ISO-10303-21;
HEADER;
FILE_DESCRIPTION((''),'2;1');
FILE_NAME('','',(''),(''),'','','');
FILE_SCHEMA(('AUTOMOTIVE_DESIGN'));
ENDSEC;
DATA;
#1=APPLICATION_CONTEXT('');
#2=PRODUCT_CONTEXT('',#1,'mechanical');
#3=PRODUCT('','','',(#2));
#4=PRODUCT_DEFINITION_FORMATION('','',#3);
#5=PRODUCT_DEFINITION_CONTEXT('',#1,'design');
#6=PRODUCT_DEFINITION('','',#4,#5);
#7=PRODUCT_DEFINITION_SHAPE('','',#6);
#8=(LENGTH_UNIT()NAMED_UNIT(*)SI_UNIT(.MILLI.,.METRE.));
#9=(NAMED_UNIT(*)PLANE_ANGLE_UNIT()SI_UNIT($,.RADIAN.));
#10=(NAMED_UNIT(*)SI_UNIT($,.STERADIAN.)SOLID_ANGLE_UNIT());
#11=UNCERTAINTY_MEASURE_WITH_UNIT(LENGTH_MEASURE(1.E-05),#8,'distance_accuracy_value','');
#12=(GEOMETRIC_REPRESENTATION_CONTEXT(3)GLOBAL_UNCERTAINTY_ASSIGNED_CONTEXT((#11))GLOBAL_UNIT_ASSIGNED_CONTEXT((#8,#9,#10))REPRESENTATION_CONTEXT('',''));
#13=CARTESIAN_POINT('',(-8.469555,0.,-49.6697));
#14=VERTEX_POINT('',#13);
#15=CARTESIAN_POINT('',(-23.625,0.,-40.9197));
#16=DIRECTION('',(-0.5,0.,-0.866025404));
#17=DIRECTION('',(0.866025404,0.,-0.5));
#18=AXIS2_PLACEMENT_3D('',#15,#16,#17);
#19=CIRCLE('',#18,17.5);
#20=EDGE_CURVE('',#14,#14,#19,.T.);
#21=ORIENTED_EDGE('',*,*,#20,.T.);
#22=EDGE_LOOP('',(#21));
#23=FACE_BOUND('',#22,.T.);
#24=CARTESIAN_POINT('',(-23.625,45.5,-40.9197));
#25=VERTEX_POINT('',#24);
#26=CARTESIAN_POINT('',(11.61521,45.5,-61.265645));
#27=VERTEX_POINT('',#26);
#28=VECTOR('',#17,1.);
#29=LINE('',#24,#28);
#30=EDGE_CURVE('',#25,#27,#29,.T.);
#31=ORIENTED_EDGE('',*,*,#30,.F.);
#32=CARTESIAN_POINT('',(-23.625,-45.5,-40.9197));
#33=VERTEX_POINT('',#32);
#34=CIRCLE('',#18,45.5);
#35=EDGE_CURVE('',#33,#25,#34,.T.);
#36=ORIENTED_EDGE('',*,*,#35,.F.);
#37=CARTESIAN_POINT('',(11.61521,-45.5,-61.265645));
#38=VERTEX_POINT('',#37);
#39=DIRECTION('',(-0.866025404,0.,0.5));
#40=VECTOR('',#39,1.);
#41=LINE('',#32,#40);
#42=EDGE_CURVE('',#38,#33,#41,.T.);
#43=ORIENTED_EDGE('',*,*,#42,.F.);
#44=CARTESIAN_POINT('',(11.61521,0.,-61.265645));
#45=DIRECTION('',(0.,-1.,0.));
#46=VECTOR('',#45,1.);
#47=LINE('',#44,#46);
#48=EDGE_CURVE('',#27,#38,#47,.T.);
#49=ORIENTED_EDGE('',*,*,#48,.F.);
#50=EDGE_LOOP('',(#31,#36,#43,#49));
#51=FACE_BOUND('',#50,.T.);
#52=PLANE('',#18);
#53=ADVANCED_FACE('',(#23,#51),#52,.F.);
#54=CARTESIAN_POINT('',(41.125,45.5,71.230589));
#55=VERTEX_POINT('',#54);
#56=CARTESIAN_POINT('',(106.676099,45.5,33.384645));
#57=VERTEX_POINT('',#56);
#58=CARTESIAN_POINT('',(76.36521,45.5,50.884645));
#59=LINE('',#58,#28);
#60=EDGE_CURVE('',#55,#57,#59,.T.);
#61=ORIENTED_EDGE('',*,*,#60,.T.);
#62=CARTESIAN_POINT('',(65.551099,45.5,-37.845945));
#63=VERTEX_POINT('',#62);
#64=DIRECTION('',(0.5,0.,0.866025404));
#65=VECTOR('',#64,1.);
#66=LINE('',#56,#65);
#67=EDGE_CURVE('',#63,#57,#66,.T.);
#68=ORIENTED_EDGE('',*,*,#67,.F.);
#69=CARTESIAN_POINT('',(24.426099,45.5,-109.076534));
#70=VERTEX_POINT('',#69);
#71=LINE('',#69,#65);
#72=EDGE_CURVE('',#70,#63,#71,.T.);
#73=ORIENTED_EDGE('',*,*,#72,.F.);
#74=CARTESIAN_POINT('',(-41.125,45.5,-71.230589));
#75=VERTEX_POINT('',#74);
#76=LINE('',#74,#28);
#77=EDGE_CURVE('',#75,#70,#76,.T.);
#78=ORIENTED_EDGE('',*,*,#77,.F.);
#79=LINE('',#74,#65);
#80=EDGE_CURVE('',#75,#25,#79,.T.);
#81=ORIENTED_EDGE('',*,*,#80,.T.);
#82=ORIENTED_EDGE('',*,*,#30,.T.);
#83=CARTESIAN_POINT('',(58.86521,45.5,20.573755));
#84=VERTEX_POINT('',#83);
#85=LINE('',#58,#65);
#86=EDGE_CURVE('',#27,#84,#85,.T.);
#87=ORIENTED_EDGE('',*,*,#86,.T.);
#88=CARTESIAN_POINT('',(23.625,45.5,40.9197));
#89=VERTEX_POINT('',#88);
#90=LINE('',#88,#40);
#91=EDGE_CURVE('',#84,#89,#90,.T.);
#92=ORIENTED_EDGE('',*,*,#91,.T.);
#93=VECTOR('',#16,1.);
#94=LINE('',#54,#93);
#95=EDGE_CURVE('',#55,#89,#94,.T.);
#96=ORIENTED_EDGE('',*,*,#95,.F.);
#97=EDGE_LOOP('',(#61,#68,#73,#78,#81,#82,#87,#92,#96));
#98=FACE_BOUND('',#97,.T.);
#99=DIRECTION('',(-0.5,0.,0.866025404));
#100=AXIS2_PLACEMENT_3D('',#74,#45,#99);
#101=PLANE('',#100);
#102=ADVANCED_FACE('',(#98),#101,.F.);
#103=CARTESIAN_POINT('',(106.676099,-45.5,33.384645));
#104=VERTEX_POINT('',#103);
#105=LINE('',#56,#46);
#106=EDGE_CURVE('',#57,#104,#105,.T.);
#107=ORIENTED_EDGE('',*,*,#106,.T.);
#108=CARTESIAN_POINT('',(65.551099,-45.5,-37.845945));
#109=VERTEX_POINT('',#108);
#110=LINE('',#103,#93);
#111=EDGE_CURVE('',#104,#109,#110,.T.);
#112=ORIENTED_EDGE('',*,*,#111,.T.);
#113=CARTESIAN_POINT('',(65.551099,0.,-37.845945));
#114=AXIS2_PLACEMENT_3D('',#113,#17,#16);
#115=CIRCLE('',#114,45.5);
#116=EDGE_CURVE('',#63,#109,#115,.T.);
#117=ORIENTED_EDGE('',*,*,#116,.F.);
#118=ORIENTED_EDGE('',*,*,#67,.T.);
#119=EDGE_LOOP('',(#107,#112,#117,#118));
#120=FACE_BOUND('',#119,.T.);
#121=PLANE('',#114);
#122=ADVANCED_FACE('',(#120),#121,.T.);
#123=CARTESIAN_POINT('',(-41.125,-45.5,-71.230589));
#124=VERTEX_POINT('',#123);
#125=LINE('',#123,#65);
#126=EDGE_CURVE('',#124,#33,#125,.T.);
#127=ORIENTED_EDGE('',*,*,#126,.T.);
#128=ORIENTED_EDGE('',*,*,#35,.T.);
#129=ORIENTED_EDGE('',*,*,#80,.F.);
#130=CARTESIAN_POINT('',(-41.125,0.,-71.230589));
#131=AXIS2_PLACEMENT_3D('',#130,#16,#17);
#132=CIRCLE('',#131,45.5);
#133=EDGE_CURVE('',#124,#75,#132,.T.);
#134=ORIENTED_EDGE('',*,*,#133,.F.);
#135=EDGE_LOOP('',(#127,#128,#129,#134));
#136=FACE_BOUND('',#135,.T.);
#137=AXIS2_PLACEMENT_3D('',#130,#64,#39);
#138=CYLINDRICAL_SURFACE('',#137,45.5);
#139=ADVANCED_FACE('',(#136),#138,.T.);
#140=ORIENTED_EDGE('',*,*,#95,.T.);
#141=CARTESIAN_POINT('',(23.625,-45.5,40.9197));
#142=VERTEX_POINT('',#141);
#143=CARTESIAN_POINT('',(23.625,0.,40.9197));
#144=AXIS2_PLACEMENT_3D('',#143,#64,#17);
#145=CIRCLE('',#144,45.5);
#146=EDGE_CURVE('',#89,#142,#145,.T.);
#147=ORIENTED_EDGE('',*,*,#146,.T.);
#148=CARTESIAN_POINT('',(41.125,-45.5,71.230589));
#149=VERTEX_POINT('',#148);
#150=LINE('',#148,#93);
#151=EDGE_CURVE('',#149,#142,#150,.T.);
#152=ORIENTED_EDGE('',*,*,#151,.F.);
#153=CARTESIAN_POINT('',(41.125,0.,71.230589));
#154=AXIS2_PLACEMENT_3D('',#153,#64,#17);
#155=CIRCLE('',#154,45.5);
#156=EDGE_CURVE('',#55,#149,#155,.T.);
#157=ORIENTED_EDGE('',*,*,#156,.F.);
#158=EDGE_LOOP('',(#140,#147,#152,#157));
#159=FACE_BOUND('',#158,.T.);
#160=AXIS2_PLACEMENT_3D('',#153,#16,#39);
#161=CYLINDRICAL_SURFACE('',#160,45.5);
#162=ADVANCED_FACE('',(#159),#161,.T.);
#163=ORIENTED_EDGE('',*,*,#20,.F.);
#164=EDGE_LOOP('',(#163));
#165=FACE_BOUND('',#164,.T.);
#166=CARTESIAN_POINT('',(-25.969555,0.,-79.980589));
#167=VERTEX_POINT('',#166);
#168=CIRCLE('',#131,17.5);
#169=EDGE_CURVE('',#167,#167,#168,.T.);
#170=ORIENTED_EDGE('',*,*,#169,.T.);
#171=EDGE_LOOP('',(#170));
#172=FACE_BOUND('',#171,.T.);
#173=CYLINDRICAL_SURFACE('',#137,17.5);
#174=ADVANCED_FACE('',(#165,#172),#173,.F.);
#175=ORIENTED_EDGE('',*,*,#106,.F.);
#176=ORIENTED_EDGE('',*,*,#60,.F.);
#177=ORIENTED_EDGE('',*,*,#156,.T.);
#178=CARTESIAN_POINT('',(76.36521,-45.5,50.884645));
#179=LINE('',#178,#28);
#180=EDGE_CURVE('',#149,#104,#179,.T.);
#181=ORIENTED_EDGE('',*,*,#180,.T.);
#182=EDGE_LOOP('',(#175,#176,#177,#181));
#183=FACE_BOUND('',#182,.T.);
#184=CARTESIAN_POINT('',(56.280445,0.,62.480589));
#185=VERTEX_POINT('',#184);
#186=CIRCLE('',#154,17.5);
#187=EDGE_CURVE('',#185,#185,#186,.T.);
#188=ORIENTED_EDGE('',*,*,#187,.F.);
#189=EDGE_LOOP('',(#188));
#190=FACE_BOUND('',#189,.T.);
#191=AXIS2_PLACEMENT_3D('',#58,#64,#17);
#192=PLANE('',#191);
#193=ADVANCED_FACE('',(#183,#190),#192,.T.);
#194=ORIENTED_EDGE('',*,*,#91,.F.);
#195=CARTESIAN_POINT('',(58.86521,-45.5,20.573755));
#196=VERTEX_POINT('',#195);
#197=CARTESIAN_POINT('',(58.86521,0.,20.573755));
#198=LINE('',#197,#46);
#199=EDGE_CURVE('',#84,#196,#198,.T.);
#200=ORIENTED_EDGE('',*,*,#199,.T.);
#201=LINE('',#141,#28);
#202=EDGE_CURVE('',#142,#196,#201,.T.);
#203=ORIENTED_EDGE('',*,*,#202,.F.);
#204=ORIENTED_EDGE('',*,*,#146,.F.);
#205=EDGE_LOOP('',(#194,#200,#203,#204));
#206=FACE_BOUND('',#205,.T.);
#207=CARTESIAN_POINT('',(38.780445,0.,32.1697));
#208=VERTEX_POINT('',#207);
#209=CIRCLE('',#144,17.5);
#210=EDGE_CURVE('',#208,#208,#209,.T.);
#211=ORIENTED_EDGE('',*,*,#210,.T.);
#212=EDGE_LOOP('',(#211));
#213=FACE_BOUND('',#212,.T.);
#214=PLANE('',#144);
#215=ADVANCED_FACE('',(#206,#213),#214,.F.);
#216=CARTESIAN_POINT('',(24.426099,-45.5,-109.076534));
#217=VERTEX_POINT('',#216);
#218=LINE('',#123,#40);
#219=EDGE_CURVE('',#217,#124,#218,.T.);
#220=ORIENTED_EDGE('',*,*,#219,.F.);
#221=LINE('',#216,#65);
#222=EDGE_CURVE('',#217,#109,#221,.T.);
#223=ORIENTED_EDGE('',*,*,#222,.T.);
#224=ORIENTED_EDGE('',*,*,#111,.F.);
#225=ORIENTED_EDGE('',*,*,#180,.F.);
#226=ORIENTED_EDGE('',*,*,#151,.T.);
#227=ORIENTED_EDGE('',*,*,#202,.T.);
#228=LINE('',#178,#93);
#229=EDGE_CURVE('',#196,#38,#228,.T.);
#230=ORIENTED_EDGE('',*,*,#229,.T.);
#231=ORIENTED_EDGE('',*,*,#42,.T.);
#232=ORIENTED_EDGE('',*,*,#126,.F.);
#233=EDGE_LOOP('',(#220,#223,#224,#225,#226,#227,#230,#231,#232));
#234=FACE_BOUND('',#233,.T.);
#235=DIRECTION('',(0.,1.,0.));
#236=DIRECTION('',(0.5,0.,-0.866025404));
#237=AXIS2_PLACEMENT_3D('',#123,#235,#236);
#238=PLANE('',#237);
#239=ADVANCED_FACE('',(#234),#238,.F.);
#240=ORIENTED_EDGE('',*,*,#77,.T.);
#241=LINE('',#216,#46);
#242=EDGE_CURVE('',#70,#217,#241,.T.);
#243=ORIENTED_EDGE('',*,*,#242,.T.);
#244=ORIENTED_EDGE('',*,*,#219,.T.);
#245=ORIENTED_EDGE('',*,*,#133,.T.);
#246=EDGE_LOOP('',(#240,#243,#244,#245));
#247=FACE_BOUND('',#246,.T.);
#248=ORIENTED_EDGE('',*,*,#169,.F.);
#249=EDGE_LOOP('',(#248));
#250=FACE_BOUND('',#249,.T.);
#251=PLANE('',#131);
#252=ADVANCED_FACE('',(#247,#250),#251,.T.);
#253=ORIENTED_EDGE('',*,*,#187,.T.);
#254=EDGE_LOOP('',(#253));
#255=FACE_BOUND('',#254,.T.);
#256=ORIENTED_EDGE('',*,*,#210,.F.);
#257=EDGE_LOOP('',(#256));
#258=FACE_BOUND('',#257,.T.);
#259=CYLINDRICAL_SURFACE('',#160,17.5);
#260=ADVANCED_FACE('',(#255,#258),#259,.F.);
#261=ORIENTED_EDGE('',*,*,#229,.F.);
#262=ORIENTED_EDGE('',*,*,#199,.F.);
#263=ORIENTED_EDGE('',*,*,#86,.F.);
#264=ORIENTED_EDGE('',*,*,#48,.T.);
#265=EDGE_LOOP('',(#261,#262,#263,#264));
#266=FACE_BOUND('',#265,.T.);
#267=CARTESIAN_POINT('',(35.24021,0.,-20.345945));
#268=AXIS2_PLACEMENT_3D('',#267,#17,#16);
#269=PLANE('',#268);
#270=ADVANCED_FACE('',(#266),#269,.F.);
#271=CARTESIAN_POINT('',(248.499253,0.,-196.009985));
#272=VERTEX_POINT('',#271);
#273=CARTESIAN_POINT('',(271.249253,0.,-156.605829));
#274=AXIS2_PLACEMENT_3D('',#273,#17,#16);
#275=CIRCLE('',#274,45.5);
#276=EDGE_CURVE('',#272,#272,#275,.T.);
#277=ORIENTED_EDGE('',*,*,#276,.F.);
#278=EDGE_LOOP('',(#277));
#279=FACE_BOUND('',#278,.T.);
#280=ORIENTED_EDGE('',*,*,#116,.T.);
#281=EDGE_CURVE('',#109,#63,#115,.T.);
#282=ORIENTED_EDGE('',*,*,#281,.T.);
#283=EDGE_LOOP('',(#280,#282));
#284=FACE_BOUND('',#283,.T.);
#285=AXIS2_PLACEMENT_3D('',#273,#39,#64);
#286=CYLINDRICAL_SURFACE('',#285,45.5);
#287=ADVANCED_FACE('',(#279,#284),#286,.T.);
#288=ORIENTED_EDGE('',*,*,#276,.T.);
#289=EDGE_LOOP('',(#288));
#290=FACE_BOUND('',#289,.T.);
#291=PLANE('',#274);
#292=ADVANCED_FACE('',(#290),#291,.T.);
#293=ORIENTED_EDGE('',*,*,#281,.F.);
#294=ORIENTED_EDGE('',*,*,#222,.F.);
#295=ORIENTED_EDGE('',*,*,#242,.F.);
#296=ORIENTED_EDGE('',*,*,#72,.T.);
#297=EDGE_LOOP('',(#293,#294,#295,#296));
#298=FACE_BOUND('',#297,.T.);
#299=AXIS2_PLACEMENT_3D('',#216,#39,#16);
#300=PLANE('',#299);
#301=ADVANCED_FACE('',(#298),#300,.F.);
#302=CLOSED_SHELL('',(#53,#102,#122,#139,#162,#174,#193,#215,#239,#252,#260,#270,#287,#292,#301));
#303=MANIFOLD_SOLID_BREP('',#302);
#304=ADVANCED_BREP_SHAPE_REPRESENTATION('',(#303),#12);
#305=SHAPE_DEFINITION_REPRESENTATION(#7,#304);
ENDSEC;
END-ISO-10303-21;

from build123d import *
from build123d.topology import SkipClean

# Parameters (mm, degrees)
BOSS_EXTRUDE1_DEPTH = 25
SKETCH2_R           = 8
CUT_EXTRUDE1_DEPTH  = 110
CUT_EXTRUDE2_DEPTH  = 150
BOSS_EXTRUDE2_START = 21.60254038
BOSS_EXTRUDE2_DEPTH = 21.60254038
SKETCH5_R           = 13
CUT_EXTRUDE3_DEPTH  = 50
SKETCH6_R           = 13
BOSS_EXTRUDE3_DEPTH = 100
SKETCH7_R           = 5
CUT_EXTRUDE4_DEPTH  = 50
SKETCH8_R           = 13
SKETCH8_R_2         = 5
BOSS_EXTRUDE4_DEPTH = 13
CUT_EXTRUDE5_DEPTH  = 28
SKETCH10_R          = 5
BOSS_EXTRUDE5_DEPTH = 10
CIRPATTERN2_COUNT   = 2
SKETCH11_W          = 47
SKETCH11_H          = 26
BOSS_EXTRUDE6_DEPTH = 10
SKETCH12_R          = 13
BOSS_EXTRUDE7_DEPTH = 67.86279097
SCALE1_SCALE        = 3.5


with BuildPart() as part:
    # Sketch1 → Boss-Extrude1 (new, symmetric)
    with BuildSketch(Plane(origin=(0, 0, 0), x_dir=(1, 0, 0), z_dir=(0, 1, 0))):
        Polygon((86.602540378, 150), (103.923048454, 160), (114.724318643, 141.291651246), (93.073683549, 128.791651246), (158.073683549, 16.208348754), (179.724318643, 28.708348754), (190.525588833, 10), (173.205080757, 0), (45.59802172, 0), (22.79901086, 39.489045172), align=None)
    extrude(amount=BOSS_EXTRUDE1_DEPTH, both=True)

    # Sketch2 → Cut-Extrude1 (cut, symmetric)
    with BuildSketch(Plane(origin=(140.729128115, 0, -81.25), x_dir=(0.8660254037844386, 0, -0.5000000000000003), z_dir=(0.5000000000000003, 0, 0.8660254037844386))):
        Circle(SKETCH2_R)
    extrude(amount=CUT_EXTRUDE1_DEPTH, both=True, mode=Mode.SUBTRACT)

    # Sketch3 → Cut-Extrude2 (cut, symmetric)
    with BuildSketch(Plane(origin=(140.729128115, 0, -81.25), x_dir=(0.8660254037844386, 0, -0.5000000000000003), z_dir=(0.5000000000000003, 0, 0.8660254037844386))):
        with BuildLine():
            Line((0, 18), (-12.5, 18))
            Line((-12.5, 18), (-12.5, 31.312178452))
            Line((-12.5, 31.312178452), (23.905899442, 31.312178452))
            Line((23.905899442, 31.312178452), (23.905899442, -29.505210198))
            Line((23.905899442, -29.505210198), (-12.5, -29.505210198))
            Line((-12.5, -29.505210198), (-12.5, -18))
            Line((-12.5, -18), (0, -18))
            ThreePointArc((0, -18), (18, 0), (0, 18))
        make_face()
    extrude(amount=CUT_EXTRUDE2_DEPTH, both=True, mode=Mode.SUBTRACT)

    # Sketch4 → Boss-Extrude2 (add)
    with SkipClean():  # the faces are left unmerged after this step: merging them gives an invalid solid
        with BuildSketch(Plane(origin=(173.229128115, 0, -24.958348754), x_dir=(0.8660254037844386, 0, -0.5000000000000003), z_dir=(0.5000000000000003, 0, 0.8660254037844386)).offset(BOSS_EXTRUDE2_START)):
            with BuildLine():
                Line((7.5, 16.363068172), (7.5, 2.783882181))
                ThreePointArc((7.5, 2.783882181), (8, 0), (7.5, -2.783882181))
                Line((7.5, -2.783882181), (7.5, -16.363068172))
                ThreePointArc((7.5, -16.363068172), (18, 0), (7.5, 16.363068172))
            make_face()
        boss_extrude2 = extrude(amount=-BOSS_EXTRUDE2_DEPTH)

    # Mirror2: Boss-Extrude2 across plane
    with SkipClean():  # the faces are left unmerged after this step: merging them gives an invalid solid
        add(boss_extrude2.mirror(Plane(origin=(140.729128115, 0, -81.25), x_dir=(-0.8660254037844388, 0, 0.5), z_dir=(0.5000000000000003, 0, 0.8660254037844386))))

    # Sketch5 → Cut-Extrude3 (cut)
    with SkipClean():  # the faces are left unmerged after this step: merging them gives an invalid solid
        with BuildSketch(Plane(origin=(34.19851629, 0, -19.744522586), x_dir=(0.5000000000000001, 0, 0.8660254037844386), z_dir=(-0.8660254037844386, 0, 0.5000000000000001))):
            Circle(SKETCH5_R)
        extrude(amount=-CUT_EXTRUDE3_DEPTH, mode=Mode.SUBTRACT)


with BuildPart() as body_2:
    # Sketch6 → Boss-Extrude3 (new body)
    with BuildSketch(Plane(origin=(77.499786479, 0, -44.744522586), x_dir=(0.5000000000000001, 0, 0.8660254037844386), z_dir=(-0.8660254037844386, 0, 0.5000000000000001))):
        Circle(SKETCH6_R)
    extrude(amount=BOSS_EXTRUDE3_DEPTH)

    # Sketch7 → Cut-Extrude4 (cut, symmetric)
    with BuildSketch(Plane(origin=(140.729128115, 0, -81.25), x_dir=(0.8660254037844386, 0, -0.5000000000000003), z_dir=(0.5000000000000003, 0, 0.8660254037844386))):
        with Locations((-162.5, 0)):
            Circle(SKETCH7_R)
    extrude(amount=CUT_EXTRUDE4_DEPTH, both=True, mode=Mode.SUBTRACT)

    # Sketch8 → Boss-Extrude4 (add, symmetric)
    with BuildSketch(Plane(origin=(140.729128115, 0, -81.25), x_dir=(0.8660254037844386, 0, -0.5000000000000003), z_dir=(0.5000000000000003, 0, 0.8660254037844386))):
        with Locations((-162.5, 0)):
            Circle(SKETCH8_R)
        with Locations((-162.5, 0)):
            Circle(SKETCH8_R_2, mode=Mode.SUBTRACT)
    extrude(amount=BOSS_EXTRUDE4_DEPTH, both=True)

    # Sketch9 → Cut-Extrude5 (cut, symmetric)
    with BuildSketch(Plane(origin=(140.729128115, 0, -81.25), x_dir=(0.8660254037844386, 0, -0.5000000000000003), z_dir=(0.5000000000000003, 0, 0.8660254037844386))):
        with BuildLine():
            Line((-162.5, 13), (-162.5, 18.834095503))
            ThreePointArc((-162.5, 18.834095503), (-181.334095503, 0), (-162.5, -18.834095503))
            Line((-162.5, -18.834095503), (-162.5, -13))
            ThreePointArc((-162.5, -13), (-175.5, 0), (-162.5, 13))
        make_face()
    extrude(amount=CUT_EXTRUDE5_DEPTH, both=True, mode=Mode.SUBTRACT)


with BuildPart() as body_2_2:
    # Sketch10 → Boss-Extrude5 (new body)
    with BuildSketch(Plane(origin=(6.75, 0, 11.691342951), x_dir=(0.8660254037844385, 0, -0.5000000000000004), z_dir=(0.5000000000000003, 0, 0.8660254037844384))):
        with BuildLine():
            Line((0, 13), (21.626254201, 13))
            Line((21.626254201, 13), (21.626254201, -13))
            Line((21.626254201, -13), (0, -13))
            ThreePointArc((0, -13), (-13, 0), (0, 13))
        make_face()
        Circle(SKETCH10_R, mode=Mode.SUBTRACT)
    extrude(amount=BOSS_EXTRUDE5_DEPTH)


with BuildPart() as cirpattern2_1:
    # CirPattern2: pattern copy
    add(body_2_2.part.rotate(Axis((24.24994662, 0, -14.000713209), (0.8660254037844386, 0, -0.5000000000000003)), 1 * 360 / CIRPATTERN2_COUNT))


with BuildPart() as body_4:
    # Sketch11 → Boss-Extrude6 (new body)
    with BuildSketch(Plane(origin=(18.728885527, 0, -10.8131271), x_dir=(-0.5000000000000004, 0, -0.8660254037844385), z_dir=(0.8660254037844384, 0, -0.5000000000000003))):
        Rectangle(SKETCH11_W, SKETCH11_H)
    extrude(amount=-BOSS_EXTRUDE6_DEPTH)


with BuildPart() as body_5:
    # Sketch12 → Boss-Extrude7 (new body)
    with BuildSketch(Plane(origin=(18.728885527, 0, -10.8131271), x_dir=(-0.5000000000000004, 0, -0.8660254037844385), z_dir=(0.8660254037844384, 0, -0.5000000000000003))):
        Circle(SKETCH12_R)
    extrude(amount=BOSS_EXTRUDE7_DEPTH)


with BuildPart() as cirpattern2_1_1:
    add(cirpattern2_1.part)

    # Combine2: union body 4, body 5, body 2 2
    add(body_4.part)
    add(body_5.part)
    add(body_2_2.part)


with BuildPart() as cirpattern2_1_2:
    # Scale1: scaled about (0, 0, 0)
    add(cirpattern2_1_1.part.scale(SCALE1_SCALE))


solid = cirpattern2_1_2.part
